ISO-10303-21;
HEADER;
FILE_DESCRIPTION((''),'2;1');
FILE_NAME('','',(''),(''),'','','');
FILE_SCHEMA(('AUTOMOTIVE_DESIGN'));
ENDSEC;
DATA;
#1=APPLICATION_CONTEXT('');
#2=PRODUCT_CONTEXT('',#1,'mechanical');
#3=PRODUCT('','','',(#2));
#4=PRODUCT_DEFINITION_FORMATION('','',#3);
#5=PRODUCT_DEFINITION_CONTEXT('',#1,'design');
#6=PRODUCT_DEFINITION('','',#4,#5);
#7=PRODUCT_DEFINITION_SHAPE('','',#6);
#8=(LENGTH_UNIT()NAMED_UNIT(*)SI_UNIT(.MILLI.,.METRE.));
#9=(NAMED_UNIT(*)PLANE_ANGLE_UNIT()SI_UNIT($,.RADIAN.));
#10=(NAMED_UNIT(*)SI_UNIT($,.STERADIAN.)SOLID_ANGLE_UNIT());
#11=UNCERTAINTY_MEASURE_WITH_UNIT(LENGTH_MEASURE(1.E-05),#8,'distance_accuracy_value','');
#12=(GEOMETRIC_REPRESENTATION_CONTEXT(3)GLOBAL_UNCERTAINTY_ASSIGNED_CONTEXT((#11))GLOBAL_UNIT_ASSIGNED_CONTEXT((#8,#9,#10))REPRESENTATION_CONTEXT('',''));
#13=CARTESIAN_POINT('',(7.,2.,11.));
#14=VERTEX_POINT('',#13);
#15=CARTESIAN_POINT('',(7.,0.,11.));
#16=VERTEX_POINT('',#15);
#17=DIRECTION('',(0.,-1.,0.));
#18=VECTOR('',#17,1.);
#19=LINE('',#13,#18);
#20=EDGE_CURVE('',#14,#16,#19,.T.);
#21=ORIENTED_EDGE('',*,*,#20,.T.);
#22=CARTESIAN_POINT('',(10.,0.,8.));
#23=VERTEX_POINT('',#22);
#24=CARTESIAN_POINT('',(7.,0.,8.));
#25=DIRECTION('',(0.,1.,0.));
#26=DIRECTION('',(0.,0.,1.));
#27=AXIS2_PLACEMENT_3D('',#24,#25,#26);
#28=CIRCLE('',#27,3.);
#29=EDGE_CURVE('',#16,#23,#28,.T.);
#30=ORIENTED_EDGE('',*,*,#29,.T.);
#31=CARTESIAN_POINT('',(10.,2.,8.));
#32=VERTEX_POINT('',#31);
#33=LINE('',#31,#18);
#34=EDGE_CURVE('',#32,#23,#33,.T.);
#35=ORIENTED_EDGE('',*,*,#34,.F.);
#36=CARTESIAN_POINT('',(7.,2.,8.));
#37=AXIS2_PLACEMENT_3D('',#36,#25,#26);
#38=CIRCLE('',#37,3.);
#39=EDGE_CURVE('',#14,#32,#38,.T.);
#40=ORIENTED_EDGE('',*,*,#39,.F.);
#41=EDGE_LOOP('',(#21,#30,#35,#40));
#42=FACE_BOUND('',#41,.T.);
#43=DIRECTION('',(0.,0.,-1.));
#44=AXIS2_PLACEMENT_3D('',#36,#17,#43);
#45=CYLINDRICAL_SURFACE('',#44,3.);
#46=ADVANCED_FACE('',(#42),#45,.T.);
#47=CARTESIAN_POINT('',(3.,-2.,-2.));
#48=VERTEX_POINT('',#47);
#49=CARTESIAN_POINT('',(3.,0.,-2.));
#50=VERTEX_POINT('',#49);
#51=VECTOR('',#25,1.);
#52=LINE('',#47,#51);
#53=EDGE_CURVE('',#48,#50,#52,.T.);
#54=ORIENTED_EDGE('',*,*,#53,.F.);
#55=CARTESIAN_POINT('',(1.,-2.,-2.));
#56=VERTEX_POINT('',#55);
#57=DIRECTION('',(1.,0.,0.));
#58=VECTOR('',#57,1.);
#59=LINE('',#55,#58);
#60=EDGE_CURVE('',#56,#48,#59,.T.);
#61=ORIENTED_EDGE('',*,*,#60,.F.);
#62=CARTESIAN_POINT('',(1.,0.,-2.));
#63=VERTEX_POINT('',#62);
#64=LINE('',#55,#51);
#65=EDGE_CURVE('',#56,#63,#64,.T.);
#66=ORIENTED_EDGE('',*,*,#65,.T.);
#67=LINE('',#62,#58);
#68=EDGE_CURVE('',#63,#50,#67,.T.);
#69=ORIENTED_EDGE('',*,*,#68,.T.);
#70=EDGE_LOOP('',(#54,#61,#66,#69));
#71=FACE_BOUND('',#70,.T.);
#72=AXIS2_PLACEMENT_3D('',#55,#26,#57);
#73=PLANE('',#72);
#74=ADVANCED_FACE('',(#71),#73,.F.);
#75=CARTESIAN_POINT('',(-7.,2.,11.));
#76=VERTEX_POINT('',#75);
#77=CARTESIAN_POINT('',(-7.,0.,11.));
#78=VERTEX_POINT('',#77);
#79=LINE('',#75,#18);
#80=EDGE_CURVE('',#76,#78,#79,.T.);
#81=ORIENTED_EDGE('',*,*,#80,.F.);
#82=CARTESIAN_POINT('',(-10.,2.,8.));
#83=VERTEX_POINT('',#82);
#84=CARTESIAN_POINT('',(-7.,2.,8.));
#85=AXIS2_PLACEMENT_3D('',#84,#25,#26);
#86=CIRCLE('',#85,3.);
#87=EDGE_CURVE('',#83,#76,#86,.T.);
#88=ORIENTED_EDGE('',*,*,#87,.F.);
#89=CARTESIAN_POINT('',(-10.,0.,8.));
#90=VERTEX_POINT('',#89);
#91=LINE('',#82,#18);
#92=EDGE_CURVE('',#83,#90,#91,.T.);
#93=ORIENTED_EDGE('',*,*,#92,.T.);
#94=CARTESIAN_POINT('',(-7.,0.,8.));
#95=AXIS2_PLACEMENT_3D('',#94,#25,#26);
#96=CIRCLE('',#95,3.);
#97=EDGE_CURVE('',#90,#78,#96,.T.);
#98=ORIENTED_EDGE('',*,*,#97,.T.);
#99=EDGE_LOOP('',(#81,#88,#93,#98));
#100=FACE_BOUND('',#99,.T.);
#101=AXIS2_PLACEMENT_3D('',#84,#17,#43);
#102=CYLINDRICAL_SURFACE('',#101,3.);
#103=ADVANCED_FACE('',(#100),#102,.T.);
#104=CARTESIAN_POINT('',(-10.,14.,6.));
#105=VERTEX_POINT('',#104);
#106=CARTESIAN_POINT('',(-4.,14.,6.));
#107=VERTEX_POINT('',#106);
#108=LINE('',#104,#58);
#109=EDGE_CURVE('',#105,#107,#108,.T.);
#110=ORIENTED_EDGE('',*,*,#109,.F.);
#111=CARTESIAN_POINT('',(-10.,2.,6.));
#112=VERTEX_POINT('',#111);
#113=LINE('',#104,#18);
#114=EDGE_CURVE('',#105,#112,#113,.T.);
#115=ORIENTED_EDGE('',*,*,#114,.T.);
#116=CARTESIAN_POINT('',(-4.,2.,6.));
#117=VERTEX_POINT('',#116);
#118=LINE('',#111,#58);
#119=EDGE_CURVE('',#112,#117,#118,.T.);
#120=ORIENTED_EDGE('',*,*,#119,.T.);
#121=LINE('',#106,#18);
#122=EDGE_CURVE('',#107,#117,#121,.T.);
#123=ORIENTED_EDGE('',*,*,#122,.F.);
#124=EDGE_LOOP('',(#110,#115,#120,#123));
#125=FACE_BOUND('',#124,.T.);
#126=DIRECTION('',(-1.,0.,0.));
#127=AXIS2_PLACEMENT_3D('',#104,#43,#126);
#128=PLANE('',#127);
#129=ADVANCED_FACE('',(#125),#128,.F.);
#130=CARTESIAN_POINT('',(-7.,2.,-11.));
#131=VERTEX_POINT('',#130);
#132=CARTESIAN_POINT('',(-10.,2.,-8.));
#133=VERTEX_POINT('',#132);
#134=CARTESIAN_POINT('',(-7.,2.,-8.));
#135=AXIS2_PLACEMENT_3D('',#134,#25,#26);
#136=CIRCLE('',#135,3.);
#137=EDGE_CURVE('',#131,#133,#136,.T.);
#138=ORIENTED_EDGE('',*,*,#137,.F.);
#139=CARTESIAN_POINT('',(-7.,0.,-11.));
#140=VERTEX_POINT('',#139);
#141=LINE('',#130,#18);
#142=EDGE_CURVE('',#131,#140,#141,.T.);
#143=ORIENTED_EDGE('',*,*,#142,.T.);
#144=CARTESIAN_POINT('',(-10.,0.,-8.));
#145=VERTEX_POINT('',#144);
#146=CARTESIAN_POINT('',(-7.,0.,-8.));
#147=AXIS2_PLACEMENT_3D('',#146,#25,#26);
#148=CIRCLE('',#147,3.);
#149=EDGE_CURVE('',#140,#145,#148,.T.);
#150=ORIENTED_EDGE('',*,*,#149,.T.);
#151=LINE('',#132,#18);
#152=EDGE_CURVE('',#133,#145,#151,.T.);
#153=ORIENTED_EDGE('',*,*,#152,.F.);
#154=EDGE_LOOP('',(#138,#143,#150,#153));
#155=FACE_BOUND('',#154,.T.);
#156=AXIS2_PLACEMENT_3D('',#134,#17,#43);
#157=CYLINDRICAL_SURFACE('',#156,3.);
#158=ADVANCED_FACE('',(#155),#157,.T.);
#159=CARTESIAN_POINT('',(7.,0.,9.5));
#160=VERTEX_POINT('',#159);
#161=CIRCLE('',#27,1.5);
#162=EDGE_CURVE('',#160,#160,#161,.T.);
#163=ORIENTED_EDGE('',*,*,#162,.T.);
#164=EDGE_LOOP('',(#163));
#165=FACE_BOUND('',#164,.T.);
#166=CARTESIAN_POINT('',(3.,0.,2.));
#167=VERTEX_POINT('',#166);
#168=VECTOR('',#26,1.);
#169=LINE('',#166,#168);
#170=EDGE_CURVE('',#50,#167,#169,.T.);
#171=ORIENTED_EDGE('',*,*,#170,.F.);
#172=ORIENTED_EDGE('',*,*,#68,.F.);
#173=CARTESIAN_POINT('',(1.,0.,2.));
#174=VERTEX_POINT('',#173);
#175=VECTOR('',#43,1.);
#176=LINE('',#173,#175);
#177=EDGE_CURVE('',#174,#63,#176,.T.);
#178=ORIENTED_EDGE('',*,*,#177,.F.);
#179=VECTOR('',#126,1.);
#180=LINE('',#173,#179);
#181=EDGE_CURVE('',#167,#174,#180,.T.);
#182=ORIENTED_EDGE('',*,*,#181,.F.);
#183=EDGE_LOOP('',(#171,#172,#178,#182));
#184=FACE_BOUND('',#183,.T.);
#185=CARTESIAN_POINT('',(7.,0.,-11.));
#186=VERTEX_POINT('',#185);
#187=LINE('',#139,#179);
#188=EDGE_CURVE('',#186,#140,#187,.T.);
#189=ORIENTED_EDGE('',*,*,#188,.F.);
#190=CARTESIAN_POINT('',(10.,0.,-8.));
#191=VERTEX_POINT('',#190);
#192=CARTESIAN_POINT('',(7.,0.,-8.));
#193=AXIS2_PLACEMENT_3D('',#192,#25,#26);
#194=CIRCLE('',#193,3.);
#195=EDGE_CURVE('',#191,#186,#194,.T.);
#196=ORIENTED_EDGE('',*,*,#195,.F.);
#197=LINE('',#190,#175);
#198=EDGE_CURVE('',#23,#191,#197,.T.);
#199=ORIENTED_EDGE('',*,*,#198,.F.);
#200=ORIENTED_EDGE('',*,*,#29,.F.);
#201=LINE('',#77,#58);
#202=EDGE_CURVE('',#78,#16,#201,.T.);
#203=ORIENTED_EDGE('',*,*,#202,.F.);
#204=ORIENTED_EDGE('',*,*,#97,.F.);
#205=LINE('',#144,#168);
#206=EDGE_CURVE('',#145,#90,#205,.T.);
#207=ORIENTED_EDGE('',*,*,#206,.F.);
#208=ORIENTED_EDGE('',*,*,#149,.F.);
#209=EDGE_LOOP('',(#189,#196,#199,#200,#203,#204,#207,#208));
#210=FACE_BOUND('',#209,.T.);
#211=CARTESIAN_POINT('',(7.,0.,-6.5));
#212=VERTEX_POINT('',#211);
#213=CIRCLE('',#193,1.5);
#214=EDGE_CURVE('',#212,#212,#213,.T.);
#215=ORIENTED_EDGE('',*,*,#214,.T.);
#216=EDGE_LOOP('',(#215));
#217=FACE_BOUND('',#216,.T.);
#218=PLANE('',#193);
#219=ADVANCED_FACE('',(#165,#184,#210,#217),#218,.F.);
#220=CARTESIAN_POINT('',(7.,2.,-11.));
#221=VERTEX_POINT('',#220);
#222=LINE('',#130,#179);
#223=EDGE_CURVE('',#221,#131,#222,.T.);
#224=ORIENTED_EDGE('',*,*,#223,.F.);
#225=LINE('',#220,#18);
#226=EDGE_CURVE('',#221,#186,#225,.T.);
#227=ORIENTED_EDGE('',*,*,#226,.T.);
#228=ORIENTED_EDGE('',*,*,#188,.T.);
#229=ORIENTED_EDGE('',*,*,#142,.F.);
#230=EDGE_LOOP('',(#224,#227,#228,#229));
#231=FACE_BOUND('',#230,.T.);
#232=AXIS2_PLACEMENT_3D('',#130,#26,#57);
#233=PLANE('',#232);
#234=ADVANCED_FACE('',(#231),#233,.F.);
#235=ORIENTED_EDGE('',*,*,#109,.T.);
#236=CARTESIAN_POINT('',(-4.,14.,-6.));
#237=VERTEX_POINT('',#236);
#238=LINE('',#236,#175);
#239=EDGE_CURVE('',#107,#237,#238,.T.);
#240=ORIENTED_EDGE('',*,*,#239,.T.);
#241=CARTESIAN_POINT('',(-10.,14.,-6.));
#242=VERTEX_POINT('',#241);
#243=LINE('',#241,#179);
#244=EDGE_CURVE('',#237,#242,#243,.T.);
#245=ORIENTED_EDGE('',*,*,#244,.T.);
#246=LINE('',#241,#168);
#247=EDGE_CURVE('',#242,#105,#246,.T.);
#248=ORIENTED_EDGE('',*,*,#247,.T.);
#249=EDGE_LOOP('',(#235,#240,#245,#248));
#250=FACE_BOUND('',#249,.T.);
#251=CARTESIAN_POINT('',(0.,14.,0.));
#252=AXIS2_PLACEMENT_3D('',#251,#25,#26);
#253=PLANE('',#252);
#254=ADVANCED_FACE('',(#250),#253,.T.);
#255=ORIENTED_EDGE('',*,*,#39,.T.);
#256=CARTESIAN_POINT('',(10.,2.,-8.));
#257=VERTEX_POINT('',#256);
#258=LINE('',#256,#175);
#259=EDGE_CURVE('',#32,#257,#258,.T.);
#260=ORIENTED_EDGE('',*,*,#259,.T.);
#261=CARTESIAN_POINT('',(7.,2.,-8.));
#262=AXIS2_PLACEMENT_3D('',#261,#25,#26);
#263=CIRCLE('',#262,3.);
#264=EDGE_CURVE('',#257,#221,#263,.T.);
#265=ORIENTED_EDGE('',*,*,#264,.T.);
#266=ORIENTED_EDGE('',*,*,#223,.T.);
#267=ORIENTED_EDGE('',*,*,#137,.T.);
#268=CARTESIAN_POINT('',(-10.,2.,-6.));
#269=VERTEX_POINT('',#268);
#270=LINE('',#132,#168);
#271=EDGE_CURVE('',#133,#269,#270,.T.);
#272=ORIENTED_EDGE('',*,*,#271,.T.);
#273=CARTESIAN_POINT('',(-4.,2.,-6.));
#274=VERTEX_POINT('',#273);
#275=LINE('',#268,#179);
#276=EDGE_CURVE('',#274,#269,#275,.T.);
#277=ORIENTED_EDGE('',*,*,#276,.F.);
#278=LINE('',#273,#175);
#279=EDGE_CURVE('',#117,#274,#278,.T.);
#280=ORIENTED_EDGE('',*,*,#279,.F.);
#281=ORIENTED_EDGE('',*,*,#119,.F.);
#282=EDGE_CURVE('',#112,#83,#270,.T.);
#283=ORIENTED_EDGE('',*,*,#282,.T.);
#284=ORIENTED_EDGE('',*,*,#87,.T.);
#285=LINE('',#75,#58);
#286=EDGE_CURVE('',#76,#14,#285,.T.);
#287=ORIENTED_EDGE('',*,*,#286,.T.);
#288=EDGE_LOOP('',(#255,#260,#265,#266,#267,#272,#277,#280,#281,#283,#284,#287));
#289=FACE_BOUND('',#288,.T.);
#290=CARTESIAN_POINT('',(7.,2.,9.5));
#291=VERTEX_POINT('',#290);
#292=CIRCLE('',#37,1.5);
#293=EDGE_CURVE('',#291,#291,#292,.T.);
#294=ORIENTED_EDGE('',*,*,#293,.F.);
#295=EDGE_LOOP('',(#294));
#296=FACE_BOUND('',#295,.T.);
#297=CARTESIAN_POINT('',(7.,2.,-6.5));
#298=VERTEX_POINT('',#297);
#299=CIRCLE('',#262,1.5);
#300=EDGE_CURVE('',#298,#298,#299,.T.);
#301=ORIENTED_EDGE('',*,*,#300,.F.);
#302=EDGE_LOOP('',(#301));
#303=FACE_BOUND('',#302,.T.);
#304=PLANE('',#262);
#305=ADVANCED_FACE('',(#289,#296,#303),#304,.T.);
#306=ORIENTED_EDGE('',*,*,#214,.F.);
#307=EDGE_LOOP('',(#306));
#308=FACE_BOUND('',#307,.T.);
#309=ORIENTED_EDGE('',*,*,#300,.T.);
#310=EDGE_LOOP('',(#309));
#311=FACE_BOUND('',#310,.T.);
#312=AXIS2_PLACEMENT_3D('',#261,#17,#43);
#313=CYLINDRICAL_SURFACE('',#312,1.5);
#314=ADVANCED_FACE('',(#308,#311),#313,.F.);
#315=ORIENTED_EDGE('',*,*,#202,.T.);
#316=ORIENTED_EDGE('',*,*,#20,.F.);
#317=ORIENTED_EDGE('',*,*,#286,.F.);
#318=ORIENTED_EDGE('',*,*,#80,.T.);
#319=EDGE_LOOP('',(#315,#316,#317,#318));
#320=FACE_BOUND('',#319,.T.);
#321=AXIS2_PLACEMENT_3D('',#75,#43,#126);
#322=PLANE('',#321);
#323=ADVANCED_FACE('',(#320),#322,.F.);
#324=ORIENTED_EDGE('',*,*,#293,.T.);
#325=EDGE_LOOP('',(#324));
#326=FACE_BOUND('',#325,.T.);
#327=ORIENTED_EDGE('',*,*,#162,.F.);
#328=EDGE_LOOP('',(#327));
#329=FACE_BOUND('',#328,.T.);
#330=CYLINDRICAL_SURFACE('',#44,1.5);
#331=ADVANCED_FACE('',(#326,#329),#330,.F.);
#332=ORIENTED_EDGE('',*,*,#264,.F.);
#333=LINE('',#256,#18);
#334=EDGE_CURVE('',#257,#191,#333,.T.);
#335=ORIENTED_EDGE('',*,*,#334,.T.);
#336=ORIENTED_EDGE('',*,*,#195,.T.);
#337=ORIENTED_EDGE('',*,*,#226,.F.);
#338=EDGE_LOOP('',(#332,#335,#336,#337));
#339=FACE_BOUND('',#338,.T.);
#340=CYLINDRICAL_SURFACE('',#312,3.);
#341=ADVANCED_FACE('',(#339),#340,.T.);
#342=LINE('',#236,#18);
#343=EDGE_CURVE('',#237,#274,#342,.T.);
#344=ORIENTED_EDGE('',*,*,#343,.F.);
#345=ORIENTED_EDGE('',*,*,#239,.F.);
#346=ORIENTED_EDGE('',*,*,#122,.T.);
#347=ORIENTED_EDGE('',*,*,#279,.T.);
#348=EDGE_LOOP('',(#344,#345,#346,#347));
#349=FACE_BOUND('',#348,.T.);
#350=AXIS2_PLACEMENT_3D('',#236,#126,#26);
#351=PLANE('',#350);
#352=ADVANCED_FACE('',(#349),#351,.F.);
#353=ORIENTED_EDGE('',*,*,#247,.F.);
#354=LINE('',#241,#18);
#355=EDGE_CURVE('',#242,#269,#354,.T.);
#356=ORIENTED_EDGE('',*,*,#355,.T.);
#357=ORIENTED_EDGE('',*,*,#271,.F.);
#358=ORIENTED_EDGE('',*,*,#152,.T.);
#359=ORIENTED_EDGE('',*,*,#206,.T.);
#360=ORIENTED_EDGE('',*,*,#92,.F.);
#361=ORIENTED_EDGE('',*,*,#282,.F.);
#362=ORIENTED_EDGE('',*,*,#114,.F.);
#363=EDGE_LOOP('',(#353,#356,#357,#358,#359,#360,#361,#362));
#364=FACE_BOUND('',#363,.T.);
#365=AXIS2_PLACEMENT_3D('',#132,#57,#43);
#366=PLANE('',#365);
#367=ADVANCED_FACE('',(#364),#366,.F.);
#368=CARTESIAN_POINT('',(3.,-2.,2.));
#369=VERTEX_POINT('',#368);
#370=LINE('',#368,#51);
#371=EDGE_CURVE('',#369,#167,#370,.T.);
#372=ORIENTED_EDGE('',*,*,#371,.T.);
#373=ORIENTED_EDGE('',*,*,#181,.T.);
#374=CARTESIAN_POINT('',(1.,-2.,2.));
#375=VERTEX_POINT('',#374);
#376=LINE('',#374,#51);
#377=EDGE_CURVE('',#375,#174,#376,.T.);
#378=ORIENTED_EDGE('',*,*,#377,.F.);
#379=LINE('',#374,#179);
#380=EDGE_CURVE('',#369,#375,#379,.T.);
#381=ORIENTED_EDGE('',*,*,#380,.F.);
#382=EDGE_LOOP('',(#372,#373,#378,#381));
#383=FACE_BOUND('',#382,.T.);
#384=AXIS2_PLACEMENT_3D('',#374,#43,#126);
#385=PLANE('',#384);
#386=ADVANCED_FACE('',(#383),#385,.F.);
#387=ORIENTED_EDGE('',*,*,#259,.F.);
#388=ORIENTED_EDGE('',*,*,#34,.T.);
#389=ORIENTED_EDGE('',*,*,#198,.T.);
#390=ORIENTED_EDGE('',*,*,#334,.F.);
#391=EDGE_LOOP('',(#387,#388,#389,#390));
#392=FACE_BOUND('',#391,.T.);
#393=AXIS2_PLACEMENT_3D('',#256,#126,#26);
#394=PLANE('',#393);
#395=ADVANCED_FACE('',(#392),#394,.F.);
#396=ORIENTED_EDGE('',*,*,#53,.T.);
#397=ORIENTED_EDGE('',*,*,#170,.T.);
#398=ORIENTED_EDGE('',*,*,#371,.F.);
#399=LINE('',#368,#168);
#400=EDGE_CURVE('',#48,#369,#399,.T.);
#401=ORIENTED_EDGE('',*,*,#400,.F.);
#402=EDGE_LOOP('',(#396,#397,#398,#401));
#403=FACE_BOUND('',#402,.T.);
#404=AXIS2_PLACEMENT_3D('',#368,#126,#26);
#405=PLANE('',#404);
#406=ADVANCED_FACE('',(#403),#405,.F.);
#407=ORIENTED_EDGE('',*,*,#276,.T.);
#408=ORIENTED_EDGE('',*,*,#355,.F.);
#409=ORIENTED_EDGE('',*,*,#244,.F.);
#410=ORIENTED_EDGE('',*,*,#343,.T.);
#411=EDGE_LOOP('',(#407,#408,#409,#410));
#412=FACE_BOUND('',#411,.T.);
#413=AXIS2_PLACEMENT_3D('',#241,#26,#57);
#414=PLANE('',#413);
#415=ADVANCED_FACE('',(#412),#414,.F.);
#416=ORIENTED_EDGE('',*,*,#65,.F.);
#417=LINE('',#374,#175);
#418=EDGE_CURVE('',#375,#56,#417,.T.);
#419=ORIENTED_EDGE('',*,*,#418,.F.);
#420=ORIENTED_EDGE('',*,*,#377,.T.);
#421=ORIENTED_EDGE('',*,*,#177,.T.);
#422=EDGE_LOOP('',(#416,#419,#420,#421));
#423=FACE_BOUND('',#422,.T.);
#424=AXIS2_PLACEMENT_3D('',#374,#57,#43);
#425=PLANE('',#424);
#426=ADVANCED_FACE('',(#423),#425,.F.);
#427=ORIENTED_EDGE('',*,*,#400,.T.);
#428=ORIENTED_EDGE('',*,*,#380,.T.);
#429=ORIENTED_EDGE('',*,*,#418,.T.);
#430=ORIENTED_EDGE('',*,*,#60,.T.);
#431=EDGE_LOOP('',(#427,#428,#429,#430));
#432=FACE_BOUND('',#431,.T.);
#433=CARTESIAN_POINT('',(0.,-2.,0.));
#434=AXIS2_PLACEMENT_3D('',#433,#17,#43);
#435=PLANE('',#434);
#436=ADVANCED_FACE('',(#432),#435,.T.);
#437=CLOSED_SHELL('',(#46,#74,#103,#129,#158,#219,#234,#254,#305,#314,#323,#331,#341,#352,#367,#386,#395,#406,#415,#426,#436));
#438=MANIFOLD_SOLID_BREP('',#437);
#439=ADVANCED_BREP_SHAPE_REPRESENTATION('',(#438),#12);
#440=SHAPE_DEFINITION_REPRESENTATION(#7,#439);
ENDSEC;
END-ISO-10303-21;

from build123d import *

# Parameters (mm, degrees)
SKETCH1_R           = 1.5
BOSS_EXTRUDE1_DEPTH = 2
SKETCH2_W           = 6
SKETCH2_H           = 12
BOSS_EXTRUDE2_DEPTH = 12
SKETCH3_W           = 2
SKETCH3_H           = 4
BOSS_EXTRUDE3_DEPTH = 2


with BuildPart() as part:
    # Sketch1 → Boss-Extrude1 (new body)
    with BuildSketch(Plane(origin=(0, 0, 0), x_dir=(1, 0, 0), z_dir=(0, 1, 0))):
        with BuildLine():
            Line((-7, 11), (7, 11))
            ThreePointArc((7, 11), (9.121320344, 10.121320344), (10, 8))
            Line((10, 8), (10, -8))
            ThreePointArc((10, -8), (9.121320344, -10.121320344), (7, -11))
            Line((7, -11), (-7, -11))
            ThreePointArc((-7, -11), (-9.121320344, -10.121320344), (-10, -8))
            Line((-10, -8), (-10, 8))
            ThreePointArc((-10, 8), (-9.121320344, 10.121320344), (-7, 11))
        make_face()
        with Locations(Location((7, 8, 0), (0, 0, 270))):
            Circle(SKETCH1_R, mode=Mode.SUBTRACT)
        with Locations(Location((7, -8, 0), (0, 0, 270))):
            Circle(SKETCH1_R, mode=Mode.SUBTRACT)
    extrude(amount=BOSS_EXTRUDE1_DEPTH)

    # Sketch2 → Boss-Extrude2 (add)
    with BuildSketch(Plane(origin=(0, 2, 0), x_dir=(1, 0, 0), z_dir=(0, 1, 0))):
        with Locations((-7, 0)):
            Rectangle(SKETCH2_W, SKETCH2_H)
    extrude(amount=BOSS_EXTRUDE2_DEPTH)

    # Sketch3 → Boss-Extrude3 (add)
    with BuildSketch(Plane.XZ):
        with Locations((2, 0)):
            Rectangle(SKETCH3_W, SKETCH3_H)
    extrude(amount=BOSS_EXTRUDE3_DEPTH)


solid = part.part
